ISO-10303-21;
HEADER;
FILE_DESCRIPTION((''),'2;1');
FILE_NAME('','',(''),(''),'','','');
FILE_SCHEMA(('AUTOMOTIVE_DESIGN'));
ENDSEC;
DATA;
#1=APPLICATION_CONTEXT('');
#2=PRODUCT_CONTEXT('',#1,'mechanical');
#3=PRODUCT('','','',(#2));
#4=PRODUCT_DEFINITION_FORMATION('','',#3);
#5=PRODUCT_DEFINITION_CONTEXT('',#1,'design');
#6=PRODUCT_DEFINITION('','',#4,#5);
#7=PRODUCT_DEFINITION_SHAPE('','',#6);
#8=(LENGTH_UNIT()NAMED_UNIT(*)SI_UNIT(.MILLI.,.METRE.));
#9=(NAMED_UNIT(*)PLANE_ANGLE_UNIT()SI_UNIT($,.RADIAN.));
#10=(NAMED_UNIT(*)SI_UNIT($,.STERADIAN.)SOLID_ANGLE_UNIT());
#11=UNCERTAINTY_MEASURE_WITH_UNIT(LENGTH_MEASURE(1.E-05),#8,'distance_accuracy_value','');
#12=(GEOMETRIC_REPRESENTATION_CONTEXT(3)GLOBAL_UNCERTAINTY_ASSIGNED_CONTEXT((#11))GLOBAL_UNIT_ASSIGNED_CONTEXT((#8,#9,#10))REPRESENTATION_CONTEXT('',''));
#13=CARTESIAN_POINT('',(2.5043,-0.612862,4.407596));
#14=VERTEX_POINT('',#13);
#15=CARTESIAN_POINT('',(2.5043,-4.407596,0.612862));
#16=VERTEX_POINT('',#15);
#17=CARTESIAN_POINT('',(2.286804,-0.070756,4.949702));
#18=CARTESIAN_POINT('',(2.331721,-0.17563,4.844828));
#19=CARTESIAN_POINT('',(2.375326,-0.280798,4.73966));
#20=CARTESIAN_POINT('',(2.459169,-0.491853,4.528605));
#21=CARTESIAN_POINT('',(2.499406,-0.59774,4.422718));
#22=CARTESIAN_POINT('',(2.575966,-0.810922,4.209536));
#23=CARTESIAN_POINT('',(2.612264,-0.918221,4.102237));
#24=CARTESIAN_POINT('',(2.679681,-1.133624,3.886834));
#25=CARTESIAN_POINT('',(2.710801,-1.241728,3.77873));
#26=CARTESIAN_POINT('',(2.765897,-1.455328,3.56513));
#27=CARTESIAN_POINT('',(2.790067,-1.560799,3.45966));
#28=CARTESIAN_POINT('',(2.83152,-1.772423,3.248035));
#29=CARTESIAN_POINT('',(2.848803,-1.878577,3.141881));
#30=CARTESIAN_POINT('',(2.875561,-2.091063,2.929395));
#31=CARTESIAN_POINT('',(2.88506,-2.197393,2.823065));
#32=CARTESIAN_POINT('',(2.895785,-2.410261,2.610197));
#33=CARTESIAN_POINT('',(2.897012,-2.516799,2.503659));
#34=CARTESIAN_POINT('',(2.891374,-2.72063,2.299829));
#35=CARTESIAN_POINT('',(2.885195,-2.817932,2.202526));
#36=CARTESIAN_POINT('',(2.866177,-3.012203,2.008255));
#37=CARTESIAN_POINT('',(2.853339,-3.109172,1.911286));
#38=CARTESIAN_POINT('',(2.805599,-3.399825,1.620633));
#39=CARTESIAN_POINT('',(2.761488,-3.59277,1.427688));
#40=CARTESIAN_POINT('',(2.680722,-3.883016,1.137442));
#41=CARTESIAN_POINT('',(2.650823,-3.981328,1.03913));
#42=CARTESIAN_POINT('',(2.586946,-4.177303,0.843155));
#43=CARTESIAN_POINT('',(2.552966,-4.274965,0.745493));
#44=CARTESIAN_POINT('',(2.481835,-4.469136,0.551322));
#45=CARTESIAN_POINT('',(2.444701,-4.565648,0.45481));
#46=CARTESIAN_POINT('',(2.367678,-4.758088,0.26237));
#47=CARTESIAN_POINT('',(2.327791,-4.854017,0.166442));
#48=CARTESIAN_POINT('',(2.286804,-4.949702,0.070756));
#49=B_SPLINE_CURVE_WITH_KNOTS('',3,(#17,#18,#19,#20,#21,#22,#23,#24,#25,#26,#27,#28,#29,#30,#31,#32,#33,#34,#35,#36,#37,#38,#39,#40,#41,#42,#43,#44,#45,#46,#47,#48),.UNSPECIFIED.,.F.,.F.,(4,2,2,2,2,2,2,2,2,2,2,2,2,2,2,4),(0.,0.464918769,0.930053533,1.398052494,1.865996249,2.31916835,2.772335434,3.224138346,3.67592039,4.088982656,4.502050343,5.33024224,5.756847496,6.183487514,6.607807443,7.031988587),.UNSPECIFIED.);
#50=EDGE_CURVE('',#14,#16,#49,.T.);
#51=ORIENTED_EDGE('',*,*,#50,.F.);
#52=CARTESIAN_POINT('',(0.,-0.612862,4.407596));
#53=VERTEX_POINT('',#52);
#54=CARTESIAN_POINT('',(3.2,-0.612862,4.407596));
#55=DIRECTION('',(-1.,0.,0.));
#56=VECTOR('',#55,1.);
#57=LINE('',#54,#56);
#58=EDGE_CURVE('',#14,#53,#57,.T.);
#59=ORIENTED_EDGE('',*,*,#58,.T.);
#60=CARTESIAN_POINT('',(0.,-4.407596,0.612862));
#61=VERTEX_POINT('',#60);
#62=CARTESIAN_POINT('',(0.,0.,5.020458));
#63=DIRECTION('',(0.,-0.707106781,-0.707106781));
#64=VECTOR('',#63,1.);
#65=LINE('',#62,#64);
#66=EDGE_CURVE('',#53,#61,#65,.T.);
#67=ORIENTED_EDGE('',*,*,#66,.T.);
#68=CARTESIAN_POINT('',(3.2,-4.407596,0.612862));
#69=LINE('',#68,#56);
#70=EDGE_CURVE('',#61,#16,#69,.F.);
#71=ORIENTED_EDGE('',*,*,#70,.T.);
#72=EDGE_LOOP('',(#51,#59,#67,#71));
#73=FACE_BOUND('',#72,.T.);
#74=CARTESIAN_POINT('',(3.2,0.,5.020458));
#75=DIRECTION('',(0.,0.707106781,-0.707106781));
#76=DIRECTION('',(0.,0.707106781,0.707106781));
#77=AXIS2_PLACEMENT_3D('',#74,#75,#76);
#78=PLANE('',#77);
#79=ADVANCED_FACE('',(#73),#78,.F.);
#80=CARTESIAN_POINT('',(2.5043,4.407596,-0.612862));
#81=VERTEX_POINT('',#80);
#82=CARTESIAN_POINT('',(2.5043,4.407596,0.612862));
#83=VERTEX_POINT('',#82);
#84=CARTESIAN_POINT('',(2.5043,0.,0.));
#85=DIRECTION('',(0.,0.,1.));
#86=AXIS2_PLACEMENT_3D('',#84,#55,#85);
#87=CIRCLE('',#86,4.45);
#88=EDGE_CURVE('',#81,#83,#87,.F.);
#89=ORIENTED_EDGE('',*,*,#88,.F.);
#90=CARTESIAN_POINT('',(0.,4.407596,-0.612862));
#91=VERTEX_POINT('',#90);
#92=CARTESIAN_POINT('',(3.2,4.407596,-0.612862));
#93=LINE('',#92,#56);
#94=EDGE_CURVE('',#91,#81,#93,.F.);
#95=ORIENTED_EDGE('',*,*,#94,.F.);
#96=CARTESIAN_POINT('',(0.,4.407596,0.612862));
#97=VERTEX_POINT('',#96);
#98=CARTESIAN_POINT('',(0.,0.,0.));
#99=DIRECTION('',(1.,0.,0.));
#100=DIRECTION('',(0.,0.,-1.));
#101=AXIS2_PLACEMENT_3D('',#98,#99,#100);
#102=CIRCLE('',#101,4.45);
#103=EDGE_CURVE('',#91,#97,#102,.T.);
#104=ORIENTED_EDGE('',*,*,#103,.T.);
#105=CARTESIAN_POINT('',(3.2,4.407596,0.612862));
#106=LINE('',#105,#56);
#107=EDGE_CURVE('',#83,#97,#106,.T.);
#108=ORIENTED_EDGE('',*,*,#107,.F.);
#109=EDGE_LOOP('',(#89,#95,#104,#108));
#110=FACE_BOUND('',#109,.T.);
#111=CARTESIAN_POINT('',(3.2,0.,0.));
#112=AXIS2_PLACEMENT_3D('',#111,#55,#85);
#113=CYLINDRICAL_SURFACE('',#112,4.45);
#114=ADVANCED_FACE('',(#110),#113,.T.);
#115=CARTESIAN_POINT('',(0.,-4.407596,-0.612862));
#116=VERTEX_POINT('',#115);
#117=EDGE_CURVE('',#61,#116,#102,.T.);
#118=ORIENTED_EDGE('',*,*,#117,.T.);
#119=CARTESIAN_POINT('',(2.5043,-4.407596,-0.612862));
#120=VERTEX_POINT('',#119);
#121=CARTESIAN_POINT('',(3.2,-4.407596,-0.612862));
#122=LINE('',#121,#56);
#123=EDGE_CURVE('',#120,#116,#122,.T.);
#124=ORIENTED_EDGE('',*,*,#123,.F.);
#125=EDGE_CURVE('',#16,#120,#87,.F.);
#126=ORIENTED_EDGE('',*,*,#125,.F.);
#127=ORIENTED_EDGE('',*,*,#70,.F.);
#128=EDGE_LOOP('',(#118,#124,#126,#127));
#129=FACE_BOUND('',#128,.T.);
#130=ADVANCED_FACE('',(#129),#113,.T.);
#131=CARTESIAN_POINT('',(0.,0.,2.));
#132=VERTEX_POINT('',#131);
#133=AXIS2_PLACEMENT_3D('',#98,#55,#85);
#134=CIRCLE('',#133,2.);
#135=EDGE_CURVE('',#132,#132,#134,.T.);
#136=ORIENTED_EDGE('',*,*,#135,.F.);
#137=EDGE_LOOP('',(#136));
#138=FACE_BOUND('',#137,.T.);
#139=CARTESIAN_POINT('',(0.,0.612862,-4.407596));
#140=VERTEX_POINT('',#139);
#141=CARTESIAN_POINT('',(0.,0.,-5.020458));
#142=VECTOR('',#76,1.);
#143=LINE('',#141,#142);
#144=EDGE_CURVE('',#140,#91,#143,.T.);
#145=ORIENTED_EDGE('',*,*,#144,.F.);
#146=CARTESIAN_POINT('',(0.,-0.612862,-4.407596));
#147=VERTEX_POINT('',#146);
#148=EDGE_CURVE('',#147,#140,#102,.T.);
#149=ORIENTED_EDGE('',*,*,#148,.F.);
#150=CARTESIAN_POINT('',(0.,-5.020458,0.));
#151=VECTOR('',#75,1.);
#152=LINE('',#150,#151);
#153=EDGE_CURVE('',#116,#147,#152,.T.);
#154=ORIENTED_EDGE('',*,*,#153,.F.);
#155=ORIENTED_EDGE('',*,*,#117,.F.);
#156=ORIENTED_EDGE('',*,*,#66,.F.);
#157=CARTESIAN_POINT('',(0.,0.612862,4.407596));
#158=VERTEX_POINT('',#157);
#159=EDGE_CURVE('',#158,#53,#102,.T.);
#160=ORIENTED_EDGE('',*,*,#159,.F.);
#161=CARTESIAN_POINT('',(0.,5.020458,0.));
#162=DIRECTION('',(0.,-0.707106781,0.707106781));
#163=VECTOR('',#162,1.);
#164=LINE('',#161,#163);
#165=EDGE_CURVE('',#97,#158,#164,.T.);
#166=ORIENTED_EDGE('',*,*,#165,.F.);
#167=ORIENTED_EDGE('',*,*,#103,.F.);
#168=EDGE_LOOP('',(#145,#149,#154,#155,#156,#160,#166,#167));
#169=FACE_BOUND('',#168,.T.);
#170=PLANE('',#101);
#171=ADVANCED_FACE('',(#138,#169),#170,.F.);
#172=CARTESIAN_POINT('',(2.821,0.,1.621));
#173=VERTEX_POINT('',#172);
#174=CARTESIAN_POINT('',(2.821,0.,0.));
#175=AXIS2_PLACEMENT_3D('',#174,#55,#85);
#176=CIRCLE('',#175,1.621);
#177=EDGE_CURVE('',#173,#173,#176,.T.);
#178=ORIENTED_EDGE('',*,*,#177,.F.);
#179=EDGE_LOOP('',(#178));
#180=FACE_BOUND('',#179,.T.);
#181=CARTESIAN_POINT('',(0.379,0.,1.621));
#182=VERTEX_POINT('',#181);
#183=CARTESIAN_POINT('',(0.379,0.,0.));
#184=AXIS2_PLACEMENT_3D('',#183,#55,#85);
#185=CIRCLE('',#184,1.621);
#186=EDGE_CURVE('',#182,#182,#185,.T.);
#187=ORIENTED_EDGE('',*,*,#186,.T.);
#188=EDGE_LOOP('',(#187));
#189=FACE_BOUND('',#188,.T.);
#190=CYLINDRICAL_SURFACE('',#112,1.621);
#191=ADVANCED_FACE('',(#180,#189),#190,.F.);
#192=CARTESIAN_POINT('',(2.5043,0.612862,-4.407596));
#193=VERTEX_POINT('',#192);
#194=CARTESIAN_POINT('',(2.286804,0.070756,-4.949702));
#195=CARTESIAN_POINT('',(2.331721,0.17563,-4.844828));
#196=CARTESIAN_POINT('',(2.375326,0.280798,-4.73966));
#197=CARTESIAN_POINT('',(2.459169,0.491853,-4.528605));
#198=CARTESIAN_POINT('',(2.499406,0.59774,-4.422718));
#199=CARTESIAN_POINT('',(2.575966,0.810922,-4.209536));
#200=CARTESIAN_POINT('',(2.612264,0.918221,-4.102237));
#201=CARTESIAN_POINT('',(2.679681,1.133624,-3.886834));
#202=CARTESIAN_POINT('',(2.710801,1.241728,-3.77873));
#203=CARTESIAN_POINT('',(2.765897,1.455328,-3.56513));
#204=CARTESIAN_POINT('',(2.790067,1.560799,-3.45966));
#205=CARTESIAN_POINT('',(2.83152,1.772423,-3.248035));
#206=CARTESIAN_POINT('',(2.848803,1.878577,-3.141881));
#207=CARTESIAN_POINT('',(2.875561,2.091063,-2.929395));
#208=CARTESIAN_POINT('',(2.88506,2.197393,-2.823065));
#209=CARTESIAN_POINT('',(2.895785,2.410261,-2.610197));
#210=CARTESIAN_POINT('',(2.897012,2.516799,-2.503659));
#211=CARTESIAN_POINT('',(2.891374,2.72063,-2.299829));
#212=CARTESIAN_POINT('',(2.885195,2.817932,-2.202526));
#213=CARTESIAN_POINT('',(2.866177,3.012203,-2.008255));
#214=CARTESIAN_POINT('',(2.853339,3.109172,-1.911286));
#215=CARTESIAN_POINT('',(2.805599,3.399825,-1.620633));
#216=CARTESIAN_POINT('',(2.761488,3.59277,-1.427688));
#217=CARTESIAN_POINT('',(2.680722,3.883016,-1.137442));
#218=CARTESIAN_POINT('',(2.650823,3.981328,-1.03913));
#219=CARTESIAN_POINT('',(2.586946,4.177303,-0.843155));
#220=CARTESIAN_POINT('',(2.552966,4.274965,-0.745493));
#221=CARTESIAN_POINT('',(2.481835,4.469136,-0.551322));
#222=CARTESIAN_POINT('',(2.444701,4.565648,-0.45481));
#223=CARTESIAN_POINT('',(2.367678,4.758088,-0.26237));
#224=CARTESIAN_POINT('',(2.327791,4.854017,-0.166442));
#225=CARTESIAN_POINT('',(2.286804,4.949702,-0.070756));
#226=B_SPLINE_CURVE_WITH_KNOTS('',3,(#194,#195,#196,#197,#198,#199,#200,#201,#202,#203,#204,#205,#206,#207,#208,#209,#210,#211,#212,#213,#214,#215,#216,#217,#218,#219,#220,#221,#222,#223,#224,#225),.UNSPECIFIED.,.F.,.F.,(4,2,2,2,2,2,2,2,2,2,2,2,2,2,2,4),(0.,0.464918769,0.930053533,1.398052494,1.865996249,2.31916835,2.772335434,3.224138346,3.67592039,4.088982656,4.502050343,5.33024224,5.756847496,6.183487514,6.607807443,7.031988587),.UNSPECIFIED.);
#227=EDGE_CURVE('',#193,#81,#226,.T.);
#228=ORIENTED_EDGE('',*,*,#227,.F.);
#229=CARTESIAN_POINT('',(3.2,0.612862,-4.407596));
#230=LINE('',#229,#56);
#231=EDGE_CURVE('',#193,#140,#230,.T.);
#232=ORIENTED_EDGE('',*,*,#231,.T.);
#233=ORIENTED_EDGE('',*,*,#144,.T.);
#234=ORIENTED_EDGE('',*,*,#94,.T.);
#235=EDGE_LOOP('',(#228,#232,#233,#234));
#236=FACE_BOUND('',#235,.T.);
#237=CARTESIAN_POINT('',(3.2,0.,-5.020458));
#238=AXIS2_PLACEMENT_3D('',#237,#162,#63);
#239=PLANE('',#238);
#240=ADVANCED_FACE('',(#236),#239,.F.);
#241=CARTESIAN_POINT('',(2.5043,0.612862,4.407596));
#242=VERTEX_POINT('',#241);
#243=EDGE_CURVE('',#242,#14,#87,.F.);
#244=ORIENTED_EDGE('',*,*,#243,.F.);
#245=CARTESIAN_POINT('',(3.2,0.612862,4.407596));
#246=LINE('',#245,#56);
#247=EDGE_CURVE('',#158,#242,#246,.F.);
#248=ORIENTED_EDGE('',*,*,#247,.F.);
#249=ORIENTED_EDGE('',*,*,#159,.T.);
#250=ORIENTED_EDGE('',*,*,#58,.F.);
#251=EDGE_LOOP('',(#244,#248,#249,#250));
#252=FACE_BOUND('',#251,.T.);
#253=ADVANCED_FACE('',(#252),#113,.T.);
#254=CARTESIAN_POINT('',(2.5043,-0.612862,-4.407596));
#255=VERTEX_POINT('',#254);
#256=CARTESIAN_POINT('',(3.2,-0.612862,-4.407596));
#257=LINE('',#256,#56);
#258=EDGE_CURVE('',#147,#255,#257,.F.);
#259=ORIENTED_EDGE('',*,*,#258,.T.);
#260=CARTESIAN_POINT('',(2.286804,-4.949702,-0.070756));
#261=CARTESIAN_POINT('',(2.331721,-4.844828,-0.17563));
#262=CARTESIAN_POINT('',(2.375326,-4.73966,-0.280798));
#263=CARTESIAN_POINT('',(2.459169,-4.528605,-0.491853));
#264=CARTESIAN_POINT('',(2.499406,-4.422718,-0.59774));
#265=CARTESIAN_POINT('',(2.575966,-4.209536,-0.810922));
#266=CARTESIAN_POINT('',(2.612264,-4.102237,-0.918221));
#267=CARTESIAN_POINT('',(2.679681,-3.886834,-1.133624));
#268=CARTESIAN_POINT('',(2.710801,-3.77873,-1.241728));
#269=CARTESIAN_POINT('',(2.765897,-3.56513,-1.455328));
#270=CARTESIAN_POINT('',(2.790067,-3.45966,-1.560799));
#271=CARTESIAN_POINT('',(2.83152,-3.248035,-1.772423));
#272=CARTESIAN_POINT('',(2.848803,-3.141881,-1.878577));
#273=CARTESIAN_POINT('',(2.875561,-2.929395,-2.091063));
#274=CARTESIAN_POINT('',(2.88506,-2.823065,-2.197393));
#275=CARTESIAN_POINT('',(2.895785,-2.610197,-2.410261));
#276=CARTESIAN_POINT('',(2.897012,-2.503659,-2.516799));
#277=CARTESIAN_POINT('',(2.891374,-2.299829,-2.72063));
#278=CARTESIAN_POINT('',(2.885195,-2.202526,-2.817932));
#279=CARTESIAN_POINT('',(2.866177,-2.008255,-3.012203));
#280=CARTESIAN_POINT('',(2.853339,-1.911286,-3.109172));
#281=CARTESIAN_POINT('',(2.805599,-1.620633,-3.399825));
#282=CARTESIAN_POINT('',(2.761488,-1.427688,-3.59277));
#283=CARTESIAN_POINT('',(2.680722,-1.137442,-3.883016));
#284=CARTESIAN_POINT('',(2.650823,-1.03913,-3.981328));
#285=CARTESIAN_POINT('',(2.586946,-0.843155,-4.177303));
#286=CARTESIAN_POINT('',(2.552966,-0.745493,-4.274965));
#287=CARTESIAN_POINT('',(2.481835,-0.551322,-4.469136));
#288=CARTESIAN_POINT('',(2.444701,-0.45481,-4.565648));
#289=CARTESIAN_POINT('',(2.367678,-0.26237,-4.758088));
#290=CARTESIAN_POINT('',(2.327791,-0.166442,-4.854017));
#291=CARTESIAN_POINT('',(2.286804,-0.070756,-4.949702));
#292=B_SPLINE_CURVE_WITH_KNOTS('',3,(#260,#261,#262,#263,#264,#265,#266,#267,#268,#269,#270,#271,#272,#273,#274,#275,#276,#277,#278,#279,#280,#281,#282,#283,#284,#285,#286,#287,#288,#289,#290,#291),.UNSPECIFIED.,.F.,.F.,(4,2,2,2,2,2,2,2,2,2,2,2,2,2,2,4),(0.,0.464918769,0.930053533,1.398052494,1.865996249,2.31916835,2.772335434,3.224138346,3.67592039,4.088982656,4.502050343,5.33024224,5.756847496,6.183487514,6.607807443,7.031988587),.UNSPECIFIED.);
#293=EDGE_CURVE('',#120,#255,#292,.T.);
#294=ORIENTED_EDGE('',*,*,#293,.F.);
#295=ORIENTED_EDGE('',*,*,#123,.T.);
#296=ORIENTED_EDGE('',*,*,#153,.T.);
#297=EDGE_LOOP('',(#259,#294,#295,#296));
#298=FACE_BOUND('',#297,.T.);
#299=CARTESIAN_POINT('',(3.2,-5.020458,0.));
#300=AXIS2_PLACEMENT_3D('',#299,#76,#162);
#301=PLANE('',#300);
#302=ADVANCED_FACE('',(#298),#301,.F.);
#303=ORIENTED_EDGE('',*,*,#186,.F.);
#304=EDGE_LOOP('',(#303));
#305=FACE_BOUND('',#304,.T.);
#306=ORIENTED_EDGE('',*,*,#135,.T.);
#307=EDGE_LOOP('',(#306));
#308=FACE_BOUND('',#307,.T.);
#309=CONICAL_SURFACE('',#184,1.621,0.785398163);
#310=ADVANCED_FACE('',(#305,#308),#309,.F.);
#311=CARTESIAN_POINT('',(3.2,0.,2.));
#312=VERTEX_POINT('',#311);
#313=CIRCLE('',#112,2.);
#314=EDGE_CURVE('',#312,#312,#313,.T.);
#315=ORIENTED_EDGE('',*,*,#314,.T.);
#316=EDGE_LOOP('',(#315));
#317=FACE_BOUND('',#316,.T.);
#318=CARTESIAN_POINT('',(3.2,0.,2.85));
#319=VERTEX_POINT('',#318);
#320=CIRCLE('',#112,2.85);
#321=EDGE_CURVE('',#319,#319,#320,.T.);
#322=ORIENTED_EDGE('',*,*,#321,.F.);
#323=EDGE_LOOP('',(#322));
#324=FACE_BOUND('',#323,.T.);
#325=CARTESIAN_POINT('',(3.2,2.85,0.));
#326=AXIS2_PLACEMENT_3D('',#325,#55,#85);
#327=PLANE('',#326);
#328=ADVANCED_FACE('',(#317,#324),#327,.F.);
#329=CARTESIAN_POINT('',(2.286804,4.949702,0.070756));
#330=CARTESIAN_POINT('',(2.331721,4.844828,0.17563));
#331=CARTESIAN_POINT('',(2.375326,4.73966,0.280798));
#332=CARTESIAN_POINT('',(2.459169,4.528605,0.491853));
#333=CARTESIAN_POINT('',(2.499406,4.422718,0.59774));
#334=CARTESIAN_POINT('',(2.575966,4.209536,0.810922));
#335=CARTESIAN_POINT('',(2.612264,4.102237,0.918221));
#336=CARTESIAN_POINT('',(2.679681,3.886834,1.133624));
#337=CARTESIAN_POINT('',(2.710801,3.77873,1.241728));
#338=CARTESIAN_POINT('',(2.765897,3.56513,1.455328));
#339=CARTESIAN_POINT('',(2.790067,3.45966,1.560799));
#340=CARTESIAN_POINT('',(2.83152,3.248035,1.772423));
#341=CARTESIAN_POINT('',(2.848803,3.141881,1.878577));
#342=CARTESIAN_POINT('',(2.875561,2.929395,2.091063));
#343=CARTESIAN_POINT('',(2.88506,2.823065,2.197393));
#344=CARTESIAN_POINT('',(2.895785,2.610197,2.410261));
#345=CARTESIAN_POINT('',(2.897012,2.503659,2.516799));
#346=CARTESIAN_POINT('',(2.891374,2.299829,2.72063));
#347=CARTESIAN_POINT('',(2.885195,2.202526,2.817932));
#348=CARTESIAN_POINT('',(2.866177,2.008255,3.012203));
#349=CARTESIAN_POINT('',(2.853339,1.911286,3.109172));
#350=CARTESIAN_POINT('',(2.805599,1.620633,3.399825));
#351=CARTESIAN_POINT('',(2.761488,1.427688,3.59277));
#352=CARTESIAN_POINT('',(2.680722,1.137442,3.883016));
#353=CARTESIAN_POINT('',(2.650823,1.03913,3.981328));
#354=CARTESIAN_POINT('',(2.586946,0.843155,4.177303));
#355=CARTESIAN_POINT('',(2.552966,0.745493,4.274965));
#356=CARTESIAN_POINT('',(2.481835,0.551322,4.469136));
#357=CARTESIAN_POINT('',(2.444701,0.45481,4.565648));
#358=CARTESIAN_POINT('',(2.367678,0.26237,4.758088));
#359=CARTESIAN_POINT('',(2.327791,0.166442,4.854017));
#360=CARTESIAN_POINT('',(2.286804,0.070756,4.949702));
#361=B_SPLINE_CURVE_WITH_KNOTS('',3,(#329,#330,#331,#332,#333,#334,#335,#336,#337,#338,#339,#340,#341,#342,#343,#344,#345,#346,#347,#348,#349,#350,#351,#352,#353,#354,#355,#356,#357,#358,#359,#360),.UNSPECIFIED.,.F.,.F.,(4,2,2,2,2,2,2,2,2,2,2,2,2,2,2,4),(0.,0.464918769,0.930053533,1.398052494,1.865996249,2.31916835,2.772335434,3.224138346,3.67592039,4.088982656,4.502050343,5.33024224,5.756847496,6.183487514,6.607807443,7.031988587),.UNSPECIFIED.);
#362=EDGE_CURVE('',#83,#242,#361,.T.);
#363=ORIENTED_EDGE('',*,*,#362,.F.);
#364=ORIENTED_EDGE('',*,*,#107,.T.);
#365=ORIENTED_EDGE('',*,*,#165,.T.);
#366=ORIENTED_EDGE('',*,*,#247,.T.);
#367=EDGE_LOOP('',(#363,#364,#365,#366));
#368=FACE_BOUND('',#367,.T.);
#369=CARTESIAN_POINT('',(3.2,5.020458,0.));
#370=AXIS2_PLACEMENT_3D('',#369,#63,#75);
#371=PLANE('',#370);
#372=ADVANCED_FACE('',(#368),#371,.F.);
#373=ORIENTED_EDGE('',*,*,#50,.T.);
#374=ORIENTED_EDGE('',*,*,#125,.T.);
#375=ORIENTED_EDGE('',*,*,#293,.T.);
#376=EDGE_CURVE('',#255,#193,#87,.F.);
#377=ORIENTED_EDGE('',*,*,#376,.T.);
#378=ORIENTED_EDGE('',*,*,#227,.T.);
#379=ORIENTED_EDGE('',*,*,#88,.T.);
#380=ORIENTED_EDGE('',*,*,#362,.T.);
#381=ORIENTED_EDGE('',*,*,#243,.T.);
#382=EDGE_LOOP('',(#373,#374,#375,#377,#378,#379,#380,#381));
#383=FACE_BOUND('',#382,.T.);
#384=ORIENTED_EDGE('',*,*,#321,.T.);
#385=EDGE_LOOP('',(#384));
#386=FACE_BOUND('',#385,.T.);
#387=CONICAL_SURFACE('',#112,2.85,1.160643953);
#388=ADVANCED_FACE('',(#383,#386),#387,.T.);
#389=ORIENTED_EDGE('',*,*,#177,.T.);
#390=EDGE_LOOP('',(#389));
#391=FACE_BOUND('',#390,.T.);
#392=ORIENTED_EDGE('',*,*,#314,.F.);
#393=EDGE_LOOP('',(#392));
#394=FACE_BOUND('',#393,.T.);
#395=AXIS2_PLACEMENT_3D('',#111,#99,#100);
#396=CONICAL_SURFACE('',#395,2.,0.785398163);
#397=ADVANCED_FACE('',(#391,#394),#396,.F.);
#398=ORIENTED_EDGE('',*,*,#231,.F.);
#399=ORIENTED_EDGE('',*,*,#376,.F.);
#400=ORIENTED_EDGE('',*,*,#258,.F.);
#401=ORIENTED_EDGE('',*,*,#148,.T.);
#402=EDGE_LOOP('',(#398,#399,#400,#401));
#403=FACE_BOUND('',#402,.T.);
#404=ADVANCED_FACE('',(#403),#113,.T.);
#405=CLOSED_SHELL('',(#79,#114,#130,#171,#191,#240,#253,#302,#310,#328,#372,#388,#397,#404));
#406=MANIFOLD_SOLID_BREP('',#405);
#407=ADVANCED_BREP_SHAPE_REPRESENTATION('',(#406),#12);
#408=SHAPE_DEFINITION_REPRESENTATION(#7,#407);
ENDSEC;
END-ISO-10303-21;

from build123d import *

# Parameters (mm, degrees)
SKETCH2_W          = 28
SKETCH2_H          = 28
CUT_EXTRUDE1_DEPTH = 3.2
SKETCH4_W          = 14
SKETCH4_H          = 14
SKETCH4_R          = 4.45
CUT_EXTRUDE2_DEPTH = 3.2


with BuildPart() as part:
    # Sketch1 → Revolve1 (revolve)
    with BuildSketch(Plane.XY):
        Polygon((0, 0), (0, 4.949747468), (2.287003816, 4.949747468), (3.2, 2.85), (3.2, 0), align=None)
    revolve(axis=Axis((3.2, 0, 0), (-1, 0, 0)))

    # Sketch2 → Cut-Extrude1 (cut)
    with BuildSketch(Plane(origin=(0, 0, 0), x_dir=(0, 0, -1), z_dir=(1, 0, 0))):
        Rectangle(SKETCH2_W, SKETCH2_H)
        Polygon((-5.020458146, 0), (0, -5.020458146), (5.020458146, 0), (0, 5.020458146), align=None, mode=Mode.SUBTRACT)
    extrude(amount=CUT_EXTRUDE1_DEPTH, mode=Mode.SUBTRACT)

    # Sketch3 → Cut-Revolve1 (revolve, cut)
    with BuildSketch(Plane.XY):
        Polygon((0, 0), (0, 2), (0.379, 1.621), (2.821, 1.621), (3.2, 2), (3.2, 0), align=None)
    revolve(axis=Axis((3.2, 0, 0), (-1, 0, 0)), mode=Mode.SUBTRACT)

    # Sketch4 → Cut-Extrude2 (cut)
    with BuildSketch(Plane(origin=(0, 0, 0), x_dir=(0, 0, -1), z_dir=(1, 0, 0))):
        Rectangle(SKETCH4_W, SKETCH4_H)
        Circle(SKETCH4_R, mode=Mode.SUBTRACT)
    extrude(amount=CUT_EXTRUDE2_DEPTH, mode=Mode.SUBTRACT)


solid = part.part
